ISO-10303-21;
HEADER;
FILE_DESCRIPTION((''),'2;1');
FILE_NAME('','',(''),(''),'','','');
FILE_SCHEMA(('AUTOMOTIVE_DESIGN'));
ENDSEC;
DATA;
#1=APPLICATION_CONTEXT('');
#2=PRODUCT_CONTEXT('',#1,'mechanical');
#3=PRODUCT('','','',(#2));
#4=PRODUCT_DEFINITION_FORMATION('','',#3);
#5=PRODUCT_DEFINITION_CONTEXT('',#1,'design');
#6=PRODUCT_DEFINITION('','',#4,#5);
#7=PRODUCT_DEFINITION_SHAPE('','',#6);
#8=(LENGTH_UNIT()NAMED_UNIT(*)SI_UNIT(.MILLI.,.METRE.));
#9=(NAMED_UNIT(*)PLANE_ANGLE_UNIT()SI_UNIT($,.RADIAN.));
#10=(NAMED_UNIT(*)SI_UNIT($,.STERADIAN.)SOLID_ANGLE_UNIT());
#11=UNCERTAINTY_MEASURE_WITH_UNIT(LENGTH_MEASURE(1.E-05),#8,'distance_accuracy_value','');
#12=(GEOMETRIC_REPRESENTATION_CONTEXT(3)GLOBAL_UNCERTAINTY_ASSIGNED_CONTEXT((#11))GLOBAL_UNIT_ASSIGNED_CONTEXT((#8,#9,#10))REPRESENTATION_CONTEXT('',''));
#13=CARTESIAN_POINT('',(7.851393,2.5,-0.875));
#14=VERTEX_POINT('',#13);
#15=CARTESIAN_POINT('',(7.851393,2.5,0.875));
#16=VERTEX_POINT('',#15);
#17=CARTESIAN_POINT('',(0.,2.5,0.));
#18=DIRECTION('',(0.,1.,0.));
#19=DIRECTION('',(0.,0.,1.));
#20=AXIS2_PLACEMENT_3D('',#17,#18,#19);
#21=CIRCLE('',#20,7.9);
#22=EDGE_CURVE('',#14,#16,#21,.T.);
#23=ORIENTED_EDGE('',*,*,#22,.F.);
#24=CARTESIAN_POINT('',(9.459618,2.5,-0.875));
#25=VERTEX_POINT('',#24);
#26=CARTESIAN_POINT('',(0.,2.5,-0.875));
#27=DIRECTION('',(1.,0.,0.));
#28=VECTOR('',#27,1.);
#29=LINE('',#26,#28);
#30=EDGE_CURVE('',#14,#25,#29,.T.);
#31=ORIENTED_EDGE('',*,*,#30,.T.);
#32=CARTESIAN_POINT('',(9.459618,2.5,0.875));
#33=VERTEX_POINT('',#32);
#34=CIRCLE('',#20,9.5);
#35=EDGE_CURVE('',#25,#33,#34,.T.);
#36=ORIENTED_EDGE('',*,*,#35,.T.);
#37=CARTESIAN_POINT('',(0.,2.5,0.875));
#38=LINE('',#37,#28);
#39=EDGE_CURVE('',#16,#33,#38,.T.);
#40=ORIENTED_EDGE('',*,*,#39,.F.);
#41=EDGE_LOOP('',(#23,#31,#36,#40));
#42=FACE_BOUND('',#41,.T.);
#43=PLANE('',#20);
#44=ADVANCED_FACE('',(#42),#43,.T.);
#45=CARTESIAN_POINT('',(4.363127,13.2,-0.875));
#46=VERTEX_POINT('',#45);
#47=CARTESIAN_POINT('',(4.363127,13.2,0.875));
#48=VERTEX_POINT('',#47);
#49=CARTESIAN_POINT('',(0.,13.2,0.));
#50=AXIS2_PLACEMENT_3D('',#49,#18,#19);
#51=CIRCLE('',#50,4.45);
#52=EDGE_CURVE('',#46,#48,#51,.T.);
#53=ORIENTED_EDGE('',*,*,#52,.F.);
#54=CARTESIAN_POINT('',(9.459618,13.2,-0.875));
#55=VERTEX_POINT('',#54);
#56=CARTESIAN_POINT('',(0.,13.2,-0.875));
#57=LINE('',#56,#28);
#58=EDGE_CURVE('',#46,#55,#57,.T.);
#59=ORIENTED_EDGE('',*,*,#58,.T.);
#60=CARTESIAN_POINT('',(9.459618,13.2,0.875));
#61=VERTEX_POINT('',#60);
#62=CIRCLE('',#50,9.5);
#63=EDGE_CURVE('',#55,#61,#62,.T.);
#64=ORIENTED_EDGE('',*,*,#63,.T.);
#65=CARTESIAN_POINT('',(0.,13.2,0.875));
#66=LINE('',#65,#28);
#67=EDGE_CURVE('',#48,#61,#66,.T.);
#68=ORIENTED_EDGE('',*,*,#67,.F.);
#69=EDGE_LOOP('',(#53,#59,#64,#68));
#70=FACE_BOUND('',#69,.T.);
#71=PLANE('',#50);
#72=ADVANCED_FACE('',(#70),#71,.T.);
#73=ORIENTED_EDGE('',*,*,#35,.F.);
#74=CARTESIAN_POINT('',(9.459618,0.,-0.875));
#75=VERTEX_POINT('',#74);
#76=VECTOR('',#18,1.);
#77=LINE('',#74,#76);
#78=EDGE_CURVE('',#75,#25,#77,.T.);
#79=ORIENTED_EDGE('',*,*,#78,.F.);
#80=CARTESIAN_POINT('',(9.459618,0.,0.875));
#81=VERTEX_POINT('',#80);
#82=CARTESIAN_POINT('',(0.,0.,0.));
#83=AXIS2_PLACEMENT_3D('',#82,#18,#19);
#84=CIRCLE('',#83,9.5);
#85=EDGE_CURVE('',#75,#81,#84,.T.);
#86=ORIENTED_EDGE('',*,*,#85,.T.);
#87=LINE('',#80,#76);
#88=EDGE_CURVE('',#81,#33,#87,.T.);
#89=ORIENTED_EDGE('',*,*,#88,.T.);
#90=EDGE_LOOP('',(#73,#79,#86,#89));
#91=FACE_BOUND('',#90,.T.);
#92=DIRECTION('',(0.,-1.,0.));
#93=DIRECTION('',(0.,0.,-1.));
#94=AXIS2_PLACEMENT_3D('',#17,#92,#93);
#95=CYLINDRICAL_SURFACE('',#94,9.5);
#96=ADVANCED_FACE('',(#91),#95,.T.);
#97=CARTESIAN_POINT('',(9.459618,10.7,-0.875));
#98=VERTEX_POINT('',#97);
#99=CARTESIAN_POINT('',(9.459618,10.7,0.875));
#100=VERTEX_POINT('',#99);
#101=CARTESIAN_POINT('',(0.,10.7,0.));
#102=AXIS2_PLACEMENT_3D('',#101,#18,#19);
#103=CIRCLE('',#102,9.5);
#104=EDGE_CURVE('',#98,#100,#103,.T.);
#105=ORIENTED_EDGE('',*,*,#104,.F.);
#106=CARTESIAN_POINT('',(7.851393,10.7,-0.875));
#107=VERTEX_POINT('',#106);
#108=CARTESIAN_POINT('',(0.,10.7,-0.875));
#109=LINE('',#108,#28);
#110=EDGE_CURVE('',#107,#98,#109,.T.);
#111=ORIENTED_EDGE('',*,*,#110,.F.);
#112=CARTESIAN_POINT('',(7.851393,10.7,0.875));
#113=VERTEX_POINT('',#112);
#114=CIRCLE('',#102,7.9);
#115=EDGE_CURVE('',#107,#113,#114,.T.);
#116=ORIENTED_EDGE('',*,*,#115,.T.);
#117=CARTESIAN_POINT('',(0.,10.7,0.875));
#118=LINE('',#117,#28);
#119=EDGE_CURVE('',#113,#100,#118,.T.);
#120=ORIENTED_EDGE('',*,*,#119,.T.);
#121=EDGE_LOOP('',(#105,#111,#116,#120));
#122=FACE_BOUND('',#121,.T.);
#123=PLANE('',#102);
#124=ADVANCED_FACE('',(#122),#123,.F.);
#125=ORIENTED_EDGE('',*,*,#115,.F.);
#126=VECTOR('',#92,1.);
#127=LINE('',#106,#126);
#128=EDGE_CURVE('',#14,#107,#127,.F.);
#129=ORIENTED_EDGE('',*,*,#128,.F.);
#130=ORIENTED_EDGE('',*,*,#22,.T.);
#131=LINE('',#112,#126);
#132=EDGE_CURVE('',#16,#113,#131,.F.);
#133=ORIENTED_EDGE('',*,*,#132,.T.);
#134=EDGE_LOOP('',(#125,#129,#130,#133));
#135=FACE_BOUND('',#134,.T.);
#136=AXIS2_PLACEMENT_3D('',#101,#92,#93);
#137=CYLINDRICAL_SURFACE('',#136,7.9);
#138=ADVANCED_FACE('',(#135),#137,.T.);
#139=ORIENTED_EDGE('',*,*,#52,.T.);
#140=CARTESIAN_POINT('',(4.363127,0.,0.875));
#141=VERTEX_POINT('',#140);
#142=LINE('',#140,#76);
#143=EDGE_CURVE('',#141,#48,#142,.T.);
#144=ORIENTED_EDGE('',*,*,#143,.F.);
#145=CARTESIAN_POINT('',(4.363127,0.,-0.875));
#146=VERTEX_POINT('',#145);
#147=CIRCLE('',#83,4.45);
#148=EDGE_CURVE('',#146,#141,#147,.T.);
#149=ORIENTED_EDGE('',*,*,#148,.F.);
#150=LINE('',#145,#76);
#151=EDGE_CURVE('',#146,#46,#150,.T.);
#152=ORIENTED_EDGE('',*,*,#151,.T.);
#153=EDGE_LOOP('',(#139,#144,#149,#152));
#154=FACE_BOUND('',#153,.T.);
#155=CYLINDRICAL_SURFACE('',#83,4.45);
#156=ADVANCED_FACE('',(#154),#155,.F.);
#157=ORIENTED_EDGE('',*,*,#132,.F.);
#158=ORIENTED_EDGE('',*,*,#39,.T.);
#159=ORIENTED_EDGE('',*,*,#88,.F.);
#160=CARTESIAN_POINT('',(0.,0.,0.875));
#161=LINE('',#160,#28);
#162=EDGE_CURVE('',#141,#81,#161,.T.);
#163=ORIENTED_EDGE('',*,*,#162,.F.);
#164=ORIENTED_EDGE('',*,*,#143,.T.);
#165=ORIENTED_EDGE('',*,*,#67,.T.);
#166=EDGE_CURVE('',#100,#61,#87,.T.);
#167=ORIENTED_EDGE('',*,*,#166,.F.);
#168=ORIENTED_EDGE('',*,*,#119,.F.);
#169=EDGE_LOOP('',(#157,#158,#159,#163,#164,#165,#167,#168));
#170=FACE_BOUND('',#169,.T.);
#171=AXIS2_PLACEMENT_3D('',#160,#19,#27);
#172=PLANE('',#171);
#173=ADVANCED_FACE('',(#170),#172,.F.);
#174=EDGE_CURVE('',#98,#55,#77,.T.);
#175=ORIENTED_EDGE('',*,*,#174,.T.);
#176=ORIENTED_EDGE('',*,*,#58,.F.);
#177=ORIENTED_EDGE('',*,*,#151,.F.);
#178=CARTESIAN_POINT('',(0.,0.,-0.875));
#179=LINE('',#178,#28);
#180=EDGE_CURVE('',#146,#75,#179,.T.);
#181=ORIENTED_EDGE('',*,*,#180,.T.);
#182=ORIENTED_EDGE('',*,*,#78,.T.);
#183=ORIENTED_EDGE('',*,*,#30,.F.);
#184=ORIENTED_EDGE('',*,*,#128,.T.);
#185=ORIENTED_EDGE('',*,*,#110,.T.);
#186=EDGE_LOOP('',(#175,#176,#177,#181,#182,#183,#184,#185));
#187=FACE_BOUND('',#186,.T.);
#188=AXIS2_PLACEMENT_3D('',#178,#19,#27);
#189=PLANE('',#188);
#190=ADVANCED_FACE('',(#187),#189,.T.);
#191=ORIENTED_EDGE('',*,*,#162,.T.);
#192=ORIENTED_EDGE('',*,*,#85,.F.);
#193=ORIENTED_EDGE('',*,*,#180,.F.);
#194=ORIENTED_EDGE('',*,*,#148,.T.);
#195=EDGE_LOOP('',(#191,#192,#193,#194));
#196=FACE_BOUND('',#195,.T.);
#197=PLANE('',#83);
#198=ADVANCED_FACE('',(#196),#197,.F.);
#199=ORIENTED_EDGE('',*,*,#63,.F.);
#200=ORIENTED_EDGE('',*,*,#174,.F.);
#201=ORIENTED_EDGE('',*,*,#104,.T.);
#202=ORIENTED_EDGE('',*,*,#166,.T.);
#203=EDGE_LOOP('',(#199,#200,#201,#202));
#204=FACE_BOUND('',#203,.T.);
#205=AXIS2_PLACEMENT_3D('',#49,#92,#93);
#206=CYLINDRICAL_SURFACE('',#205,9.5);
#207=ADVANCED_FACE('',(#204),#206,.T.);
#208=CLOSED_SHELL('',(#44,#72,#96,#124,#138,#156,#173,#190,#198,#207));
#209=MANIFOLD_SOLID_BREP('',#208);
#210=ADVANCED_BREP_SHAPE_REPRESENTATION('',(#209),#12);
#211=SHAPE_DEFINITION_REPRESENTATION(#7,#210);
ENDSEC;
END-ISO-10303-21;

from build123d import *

# Parameters (mm, degrees)
SKETCH1_R           = 9.5
BOSS_EXTRUDE1_DEPTH = 2.5
SKETCH2_R           = 7.9
BOSS_EXTRUDE2_DEPTH = 8.2
SKETCH3_R           = 9.5
BOSS_EXTRUDE3_DEPTH = 2.5
SKETCH4_R           = 4.45
SKETCH4_W           = 10.190914757
SKETCH4_H           = 1.75
CUT_EXTRUDE1_DEPTH  = 19.834542734


with BuildPart() as part:
    # Sketch1 → Boss-Extrude1 (new body)
    with BuildSketch(Plane(origin=(0, 0, 0), x_dir=(1, 0, 0), z_dir=(0, 1, 0))):
        with Locations(Location((0, 0, 0), (0, 0, 270))):
            Circle(SKETCH1_R)
    extrude(amount=BOSS_EXTRUDE1_DEPTH)

    # Sketch2 → Boss-Extrude2 (add)
    with BuildSketch(Plane(origin=(0, 2.5, 0), x_dir=(1, 0, 0), z_dir=(0, 1, 0))):
        with Locations(Location((0, 0, 0), (0, 0, 270))):
            Circle(SKETCH2_R)
    extrude(amount=BOSS_EXTRUDE2_DEPTH)

    # Sketch3 → Boss-Extrude3 (add)
    with BuildSketch(Plane(origin=(0, 10.7, 0), x_dir=(1, 0, 0), z_dir=(0, 1, 0))):
        with Locations(Location((0, 0, 0), (0, 0, 270))):
            Circle(SKETCH3_R)
    extrude(amount=BOSS_EXTRUDE3_DEPTH)

    # Sketch4 → Cut-Extrude1 (cut, through all)
    with BuildSketch(Plane(origin=(0, 13.2, 0), x_dir=(1, 0, 0), z_dir=(0, 1, 0))):
        Circle(SKETCH4_R)
        with Locations((5.901899369, 0)):
            Rectangle(SKETCH4_W, SKETCH4_H)
    extrude(amount=-CUT_EXTRUDE1_DEPTH, mode=Mode.SUBTRACT)


solid = part.part
